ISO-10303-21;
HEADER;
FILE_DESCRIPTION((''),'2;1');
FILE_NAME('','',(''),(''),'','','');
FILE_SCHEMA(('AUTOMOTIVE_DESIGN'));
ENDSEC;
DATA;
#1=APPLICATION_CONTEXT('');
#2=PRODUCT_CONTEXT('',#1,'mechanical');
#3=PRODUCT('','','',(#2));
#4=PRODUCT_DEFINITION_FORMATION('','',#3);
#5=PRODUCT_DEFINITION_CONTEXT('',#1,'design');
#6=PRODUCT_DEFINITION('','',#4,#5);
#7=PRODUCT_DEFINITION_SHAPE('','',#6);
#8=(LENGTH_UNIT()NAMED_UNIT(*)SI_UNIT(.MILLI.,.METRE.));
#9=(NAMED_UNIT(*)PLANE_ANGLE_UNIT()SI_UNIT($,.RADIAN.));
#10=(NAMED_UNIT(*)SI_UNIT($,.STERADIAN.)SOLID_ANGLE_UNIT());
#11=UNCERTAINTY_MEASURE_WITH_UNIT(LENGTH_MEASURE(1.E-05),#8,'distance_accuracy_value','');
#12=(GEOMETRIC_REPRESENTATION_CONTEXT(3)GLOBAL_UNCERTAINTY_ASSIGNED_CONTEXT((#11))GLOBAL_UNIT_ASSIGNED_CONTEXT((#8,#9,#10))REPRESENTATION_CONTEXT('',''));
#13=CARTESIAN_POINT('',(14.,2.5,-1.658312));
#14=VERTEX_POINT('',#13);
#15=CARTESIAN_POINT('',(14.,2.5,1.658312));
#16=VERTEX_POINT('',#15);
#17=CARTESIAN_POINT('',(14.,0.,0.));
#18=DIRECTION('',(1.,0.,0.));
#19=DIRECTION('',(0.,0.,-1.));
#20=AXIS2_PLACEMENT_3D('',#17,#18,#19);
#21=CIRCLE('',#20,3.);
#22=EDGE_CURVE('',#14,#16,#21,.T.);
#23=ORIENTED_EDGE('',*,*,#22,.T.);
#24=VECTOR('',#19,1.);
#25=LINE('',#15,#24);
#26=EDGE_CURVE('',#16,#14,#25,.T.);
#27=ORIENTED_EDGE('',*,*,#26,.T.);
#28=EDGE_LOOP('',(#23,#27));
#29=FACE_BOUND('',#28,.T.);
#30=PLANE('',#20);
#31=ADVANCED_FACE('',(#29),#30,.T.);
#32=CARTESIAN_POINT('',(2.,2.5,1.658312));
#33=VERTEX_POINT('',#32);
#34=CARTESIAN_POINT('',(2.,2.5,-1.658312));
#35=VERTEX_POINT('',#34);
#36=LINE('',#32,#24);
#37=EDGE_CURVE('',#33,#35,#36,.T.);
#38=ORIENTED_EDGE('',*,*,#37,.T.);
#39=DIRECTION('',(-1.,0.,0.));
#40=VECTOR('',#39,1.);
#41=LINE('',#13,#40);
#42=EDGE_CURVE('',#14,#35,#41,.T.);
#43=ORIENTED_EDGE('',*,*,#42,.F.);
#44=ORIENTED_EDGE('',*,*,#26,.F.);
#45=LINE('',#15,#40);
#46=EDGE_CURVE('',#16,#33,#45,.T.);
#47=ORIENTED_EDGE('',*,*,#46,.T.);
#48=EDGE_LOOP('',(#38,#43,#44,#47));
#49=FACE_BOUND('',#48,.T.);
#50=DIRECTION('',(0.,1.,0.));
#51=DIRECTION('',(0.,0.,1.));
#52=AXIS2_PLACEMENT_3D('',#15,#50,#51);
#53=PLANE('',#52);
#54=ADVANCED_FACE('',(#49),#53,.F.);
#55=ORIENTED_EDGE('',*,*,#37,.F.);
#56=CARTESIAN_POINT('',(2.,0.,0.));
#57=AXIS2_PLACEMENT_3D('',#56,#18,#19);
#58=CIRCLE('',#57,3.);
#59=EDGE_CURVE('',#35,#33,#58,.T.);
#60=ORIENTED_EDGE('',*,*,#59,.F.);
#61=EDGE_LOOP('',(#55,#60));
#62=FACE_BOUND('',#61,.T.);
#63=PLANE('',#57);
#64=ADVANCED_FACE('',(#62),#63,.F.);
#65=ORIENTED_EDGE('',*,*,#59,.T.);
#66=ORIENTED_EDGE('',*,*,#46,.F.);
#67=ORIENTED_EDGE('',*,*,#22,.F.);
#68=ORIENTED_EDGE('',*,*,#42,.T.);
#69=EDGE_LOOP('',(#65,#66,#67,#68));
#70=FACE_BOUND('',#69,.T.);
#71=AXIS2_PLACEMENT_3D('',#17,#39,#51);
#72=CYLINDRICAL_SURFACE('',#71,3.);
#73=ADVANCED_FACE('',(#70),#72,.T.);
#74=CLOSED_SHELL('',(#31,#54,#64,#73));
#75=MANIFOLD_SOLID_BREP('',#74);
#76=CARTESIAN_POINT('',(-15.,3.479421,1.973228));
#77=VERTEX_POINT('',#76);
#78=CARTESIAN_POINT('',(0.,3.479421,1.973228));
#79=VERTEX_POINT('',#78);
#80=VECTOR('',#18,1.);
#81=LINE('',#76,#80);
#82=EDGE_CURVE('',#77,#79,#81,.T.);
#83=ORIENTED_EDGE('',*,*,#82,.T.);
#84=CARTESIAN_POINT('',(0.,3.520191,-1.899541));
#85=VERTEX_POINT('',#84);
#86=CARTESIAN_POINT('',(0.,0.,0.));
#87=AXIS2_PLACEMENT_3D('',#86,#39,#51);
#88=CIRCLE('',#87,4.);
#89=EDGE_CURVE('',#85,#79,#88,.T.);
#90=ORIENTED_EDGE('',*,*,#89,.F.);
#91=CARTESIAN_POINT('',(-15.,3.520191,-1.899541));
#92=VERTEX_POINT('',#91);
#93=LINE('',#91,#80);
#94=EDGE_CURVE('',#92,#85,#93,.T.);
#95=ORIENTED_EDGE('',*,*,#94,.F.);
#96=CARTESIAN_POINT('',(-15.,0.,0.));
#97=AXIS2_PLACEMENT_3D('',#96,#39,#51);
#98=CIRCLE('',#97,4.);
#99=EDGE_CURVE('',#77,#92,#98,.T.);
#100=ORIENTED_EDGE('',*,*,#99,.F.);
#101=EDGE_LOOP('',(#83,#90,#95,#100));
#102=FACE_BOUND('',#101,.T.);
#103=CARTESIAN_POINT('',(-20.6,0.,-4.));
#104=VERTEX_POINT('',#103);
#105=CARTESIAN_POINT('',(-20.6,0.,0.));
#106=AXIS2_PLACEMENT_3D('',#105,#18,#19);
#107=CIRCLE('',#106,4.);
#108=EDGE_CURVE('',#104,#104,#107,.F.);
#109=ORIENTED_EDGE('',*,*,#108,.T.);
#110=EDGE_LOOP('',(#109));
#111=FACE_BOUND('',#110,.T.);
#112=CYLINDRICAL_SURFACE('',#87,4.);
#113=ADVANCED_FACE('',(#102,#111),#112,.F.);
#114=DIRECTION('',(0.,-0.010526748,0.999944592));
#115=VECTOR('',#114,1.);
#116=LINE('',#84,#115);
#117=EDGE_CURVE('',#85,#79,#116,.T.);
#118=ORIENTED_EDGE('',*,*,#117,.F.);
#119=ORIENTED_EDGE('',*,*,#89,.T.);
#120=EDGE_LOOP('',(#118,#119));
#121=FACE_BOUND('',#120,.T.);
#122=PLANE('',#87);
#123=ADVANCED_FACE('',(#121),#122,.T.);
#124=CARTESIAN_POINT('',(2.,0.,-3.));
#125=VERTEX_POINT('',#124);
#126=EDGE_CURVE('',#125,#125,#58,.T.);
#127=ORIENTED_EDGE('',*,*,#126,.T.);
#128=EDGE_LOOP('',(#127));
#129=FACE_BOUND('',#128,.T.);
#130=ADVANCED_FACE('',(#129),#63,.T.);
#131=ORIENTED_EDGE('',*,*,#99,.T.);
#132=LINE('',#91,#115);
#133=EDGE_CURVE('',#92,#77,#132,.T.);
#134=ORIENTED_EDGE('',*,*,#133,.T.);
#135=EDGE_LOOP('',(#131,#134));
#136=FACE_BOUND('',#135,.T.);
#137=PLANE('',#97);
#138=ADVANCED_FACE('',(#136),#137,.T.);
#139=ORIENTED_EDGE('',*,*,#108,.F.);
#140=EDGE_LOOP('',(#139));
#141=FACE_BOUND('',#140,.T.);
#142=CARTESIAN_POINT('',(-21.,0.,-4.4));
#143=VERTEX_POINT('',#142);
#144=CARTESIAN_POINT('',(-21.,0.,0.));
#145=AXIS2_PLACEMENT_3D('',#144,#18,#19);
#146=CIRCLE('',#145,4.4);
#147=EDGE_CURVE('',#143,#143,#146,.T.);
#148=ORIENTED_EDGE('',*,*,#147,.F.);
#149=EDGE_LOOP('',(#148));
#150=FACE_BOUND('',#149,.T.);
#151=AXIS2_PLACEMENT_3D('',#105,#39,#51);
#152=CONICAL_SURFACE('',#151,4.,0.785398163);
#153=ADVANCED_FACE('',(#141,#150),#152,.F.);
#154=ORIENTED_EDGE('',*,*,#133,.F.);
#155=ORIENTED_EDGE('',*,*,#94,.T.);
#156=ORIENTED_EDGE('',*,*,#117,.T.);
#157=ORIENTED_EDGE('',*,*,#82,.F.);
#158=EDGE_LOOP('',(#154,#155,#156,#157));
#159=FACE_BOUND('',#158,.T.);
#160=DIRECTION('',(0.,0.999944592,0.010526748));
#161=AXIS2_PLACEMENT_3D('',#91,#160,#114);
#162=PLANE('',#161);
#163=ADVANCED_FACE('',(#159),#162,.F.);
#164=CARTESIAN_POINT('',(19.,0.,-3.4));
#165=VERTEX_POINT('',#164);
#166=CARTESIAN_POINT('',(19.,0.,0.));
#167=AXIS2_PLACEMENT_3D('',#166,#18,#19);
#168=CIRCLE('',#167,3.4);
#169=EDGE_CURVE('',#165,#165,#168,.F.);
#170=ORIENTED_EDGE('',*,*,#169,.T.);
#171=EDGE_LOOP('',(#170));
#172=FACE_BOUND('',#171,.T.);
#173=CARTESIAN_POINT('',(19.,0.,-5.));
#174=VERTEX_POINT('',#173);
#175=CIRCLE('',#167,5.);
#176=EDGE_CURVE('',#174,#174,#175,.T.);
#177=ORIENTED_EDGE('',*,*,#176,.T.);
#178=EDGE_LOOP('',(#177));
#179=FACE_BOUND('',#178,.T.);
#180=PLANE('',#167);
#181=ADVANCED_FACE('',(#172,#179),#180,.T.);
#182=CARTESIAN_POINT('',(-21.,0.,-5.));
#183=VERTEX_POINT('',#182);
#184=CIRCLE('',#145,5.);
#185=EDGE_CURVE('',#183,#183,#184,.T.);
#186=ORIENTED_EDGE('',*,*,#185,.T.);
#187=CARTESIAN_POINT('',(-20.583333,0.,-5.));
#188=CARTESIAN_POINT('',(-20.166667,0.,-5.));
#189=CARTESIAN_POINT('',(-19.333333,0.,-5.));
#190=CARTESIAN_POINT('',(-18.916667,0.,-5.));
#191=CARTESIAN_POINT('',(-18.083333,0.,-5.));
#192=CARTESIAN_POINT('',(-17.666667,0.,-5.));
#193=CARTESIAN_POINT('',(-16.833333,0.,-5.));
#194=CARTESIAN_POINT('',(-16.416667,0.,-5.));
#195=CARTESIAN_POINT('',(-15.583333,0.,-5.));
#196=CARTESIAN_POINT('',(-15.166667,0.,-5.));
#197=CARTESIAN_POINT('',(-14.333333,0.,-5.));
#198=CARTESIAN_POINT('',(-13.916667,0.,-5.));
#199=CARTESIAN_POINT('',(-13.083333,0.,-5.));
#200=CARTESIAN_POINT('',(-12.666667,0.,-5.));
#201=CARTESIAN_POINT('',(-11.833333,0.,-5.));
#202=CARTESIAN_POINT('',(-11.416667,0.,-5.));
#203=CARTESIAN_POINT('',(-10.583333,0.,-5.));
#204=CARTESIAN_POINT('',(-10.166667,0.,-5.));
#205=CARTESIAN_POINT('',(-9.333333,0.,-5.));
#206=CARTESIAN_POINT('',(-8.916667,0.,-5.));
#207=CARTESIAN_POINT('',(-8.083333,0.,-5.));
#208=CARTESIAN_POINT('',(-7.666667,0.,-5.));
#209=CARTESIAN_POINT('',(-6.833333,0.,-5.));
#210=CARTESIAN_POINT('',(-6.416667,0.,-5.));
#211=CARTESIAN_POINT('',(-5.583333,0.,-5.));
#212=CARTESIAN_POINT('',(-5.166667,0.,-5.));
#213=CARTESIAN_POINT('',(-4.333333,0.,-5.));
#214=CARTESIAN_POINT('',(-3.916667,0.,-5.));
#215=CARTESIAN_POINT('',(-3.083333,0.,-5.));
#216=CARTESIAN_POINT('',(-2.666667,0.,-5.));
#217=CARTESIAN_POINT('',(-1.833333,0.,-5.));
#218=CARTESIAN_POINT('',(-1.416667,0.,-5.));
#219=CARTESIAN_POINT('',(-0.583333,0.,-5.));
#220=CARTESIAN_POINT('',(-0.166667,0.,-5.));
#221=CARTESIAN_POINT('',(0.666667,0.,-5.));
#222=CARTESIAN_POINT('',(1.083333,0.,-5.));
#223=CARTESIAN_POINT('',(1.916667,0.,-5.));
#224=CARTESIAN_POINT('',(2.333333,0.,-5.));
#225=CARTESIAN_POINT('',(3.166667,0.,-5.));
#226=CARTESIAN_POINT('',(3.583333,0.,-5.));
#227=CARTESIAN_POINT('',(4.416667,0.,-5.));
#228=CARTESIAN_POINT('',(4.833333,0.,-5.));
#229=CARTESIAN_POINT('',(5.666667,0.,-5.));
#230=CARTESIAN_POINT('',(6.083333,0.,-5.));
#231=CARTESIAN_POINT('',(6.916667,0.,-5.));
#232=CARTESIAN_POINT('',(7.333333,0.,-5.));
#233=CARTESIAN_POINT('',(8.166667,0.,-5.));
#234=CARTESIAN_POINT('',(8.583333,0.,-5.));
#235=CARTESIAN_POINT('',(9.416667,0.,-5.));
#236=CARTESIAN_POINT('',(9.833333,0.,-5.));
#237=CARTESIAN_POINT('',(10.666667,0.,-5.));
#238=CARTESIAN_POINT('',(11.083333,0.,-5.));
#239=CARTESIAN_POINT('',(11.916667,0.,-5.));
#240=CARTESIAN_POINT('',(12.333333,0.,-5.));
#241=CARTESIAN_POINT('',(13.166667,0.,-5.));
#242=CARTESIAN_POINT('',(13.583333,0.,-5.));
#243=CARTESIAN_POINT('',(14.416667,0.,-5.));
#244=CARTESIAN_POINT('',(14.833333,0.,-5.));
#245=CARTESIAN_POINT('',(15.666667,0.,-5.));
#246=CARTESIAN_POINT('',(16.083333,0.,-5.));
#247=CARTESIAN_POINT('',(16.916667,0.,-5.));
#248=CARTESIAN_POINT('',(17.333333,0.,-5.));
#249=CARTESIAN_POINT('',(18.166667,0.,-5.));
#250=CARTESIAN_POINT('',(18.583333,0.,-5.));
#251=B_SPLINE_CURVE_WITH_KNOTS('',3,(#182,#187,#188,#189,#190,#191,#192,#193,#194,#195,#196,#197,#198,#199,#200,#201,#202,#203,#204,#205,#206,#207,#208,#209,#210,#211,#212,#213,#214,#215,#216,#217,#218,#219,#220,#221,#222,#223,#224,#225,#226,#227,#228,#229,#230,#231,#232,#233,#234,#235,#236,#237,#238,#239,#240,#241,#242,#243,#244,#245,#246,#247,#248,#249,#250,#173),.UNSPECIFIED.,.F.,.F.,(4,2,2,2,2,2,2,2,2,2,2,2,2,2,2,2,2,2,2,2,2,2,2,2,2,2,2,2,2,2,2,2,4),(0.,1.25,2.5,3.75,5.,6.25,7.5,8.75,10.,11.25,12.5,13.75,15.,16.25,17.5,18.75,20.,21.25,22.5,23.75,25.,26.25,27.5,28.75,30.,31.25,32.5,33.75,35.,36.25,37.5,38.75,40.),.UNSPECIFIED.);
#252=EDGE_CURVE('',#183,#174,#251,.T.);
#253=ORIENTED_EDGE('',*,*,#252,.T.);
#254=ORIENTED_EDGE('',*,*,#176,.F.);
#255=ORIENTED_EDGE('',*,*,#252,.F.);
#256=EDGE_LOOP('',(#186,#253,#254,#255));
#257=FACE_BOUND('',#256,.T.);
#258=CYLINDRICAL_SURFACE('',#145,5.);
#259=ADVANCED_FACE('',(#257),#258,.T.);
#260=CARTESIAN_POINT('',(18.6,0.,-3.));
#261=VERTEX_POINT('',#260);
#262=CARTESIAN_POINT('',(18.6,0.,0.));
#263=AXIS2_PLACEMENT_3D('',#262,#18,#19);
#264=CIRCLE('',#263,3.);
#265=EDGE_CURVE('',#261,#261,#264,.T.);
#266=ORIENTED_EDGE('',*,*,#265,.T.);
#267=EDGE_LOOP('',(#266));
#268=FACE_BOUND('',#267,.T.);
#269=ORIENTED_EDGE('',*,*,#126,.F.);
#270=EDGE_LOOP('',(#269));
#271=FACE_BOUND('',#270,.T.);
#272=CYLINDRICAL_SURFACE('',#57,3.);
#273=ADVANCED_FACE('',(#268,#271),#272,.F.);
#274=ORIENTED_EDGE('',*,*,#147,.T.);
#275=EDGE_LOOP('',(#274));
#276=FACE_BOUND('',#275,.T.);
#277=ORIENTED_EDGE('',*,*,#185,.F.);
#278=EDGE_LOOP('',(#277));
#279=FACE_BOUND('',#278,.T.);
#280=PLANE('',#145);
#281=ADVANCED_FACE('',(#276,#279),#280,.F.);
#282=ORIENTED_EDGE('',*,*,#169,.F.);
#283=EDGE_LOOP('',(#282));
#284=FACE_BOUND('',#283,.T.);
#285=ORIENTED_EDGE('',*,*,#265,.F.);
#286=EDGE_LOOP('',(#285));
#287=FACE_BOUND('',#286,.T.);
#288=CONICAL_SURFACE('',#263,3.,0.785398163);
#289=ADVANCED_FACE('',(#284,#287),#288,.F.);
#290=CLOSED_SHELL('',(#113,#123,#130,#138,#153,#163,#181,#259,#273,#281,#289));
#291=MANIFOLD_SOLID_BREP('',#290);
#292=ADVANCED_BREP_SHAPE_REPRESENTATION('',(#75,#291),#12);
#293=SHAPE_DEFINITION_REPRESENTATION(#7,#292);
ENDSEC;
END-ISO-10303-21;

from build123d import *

# Parameters (mm, degrees)
EXTRUDE_1_DEPTH      = 19
EXTRUDE_1_DEPTH_BACK = 21
SKETCH_1_R           = 5
SKETCH_3_R           = 3
CUT_EXTRUDE_1_DEPTH  = 17
SKETCH_4_R           = 4
CUT_EXTRUDE_2_DEPTH  = 21
EXTRUDE_2_DEPTH      = 12
EXTRUDE_START        = 15
EXTRUDE_3_DEPTH      = 15
CHAMFER_1_SIZE       = 0.4


with BuildPart() as part:
    # 草图1 → 凸台-拉伸1 (new, two sides: drawn at the far end of the back side and taken through both)
    with BuildSketch(Plane(origin=(0, 0, 0), x_dir=(0, 0, -1), z_dir=(1, 0, 0)).offset(-EXTRUDE_1_DEPTH_BACK)):
        Circle(SKETCH_1_R)
    extrude(amount=EXTRUDE_1_DEPTH + EXTRUDE_1_DEPTH_BACK)

    # 草图3 → 切除-拉伸1 (cut)
    with BuildSketch(Plane(origin=(19, 0, 0), x_dir=(0, 0, -1), z_dir=(1, 0, 0))):
        Circle(SKETCH_3_R)
    extrude(amount=-CUT_EXTRUDE_1_DEPTH, mode=Mode.SUBTRACT)

    # 草图4 → 切除-拉伸2 (cut)
    with BuildSketch(Plane.ZY.offset(21)):
        Circle(SKETCH_4_R)
    extrude(amount=-CUT_EXTRUDE_2_DEPTH, mode=Mode.SUBTRACT)

    # 草图6 → 凸台-拉伸3 (add)
    with BuildSketch(Plane.ZY.offset(EXTRUDE_START)):
        with BuildLine():
            Line((-1.899540758, 3.520191033), (1.973227995, 3.479421113))
            ThreePointArc((1.973227995, 3.479421113), (0.042106993, 3.999778369), (-1.899540758, 3.520191033))
        make_face()
    extrude(amount=-EXTRUDE_3_DEPTH)

    # 倒角1
    chamfer_1_edges = [part.edges().sort_by_distance(p)[0] for p in [
        (-21, 0, -4),
        (19, 0, 3),
    ]]
    chamfer(chamfer_1_edges, length=CHAMFER_1_SIZE)


with BuildPart() as body_2:
    # 草图5 → 凸台-拉伸2 (new body)
    with BuildSketch(Plane(origin=(2, 0, 0), x_dir=(0, 0, -1), z_dir=(1, 0, 0))):
        with BuildLine():
            Line((-1.658312395, 2.5), (1.658312395, 2.5))
            ThreePointArc((1.658312395, 2.5), (0, 3), (-1.658312395, 2.5))
        make_face()
    extrude(amount=EXTRUDE_2_DEPTH)


solid = Compound([part.part, body_2.part])
